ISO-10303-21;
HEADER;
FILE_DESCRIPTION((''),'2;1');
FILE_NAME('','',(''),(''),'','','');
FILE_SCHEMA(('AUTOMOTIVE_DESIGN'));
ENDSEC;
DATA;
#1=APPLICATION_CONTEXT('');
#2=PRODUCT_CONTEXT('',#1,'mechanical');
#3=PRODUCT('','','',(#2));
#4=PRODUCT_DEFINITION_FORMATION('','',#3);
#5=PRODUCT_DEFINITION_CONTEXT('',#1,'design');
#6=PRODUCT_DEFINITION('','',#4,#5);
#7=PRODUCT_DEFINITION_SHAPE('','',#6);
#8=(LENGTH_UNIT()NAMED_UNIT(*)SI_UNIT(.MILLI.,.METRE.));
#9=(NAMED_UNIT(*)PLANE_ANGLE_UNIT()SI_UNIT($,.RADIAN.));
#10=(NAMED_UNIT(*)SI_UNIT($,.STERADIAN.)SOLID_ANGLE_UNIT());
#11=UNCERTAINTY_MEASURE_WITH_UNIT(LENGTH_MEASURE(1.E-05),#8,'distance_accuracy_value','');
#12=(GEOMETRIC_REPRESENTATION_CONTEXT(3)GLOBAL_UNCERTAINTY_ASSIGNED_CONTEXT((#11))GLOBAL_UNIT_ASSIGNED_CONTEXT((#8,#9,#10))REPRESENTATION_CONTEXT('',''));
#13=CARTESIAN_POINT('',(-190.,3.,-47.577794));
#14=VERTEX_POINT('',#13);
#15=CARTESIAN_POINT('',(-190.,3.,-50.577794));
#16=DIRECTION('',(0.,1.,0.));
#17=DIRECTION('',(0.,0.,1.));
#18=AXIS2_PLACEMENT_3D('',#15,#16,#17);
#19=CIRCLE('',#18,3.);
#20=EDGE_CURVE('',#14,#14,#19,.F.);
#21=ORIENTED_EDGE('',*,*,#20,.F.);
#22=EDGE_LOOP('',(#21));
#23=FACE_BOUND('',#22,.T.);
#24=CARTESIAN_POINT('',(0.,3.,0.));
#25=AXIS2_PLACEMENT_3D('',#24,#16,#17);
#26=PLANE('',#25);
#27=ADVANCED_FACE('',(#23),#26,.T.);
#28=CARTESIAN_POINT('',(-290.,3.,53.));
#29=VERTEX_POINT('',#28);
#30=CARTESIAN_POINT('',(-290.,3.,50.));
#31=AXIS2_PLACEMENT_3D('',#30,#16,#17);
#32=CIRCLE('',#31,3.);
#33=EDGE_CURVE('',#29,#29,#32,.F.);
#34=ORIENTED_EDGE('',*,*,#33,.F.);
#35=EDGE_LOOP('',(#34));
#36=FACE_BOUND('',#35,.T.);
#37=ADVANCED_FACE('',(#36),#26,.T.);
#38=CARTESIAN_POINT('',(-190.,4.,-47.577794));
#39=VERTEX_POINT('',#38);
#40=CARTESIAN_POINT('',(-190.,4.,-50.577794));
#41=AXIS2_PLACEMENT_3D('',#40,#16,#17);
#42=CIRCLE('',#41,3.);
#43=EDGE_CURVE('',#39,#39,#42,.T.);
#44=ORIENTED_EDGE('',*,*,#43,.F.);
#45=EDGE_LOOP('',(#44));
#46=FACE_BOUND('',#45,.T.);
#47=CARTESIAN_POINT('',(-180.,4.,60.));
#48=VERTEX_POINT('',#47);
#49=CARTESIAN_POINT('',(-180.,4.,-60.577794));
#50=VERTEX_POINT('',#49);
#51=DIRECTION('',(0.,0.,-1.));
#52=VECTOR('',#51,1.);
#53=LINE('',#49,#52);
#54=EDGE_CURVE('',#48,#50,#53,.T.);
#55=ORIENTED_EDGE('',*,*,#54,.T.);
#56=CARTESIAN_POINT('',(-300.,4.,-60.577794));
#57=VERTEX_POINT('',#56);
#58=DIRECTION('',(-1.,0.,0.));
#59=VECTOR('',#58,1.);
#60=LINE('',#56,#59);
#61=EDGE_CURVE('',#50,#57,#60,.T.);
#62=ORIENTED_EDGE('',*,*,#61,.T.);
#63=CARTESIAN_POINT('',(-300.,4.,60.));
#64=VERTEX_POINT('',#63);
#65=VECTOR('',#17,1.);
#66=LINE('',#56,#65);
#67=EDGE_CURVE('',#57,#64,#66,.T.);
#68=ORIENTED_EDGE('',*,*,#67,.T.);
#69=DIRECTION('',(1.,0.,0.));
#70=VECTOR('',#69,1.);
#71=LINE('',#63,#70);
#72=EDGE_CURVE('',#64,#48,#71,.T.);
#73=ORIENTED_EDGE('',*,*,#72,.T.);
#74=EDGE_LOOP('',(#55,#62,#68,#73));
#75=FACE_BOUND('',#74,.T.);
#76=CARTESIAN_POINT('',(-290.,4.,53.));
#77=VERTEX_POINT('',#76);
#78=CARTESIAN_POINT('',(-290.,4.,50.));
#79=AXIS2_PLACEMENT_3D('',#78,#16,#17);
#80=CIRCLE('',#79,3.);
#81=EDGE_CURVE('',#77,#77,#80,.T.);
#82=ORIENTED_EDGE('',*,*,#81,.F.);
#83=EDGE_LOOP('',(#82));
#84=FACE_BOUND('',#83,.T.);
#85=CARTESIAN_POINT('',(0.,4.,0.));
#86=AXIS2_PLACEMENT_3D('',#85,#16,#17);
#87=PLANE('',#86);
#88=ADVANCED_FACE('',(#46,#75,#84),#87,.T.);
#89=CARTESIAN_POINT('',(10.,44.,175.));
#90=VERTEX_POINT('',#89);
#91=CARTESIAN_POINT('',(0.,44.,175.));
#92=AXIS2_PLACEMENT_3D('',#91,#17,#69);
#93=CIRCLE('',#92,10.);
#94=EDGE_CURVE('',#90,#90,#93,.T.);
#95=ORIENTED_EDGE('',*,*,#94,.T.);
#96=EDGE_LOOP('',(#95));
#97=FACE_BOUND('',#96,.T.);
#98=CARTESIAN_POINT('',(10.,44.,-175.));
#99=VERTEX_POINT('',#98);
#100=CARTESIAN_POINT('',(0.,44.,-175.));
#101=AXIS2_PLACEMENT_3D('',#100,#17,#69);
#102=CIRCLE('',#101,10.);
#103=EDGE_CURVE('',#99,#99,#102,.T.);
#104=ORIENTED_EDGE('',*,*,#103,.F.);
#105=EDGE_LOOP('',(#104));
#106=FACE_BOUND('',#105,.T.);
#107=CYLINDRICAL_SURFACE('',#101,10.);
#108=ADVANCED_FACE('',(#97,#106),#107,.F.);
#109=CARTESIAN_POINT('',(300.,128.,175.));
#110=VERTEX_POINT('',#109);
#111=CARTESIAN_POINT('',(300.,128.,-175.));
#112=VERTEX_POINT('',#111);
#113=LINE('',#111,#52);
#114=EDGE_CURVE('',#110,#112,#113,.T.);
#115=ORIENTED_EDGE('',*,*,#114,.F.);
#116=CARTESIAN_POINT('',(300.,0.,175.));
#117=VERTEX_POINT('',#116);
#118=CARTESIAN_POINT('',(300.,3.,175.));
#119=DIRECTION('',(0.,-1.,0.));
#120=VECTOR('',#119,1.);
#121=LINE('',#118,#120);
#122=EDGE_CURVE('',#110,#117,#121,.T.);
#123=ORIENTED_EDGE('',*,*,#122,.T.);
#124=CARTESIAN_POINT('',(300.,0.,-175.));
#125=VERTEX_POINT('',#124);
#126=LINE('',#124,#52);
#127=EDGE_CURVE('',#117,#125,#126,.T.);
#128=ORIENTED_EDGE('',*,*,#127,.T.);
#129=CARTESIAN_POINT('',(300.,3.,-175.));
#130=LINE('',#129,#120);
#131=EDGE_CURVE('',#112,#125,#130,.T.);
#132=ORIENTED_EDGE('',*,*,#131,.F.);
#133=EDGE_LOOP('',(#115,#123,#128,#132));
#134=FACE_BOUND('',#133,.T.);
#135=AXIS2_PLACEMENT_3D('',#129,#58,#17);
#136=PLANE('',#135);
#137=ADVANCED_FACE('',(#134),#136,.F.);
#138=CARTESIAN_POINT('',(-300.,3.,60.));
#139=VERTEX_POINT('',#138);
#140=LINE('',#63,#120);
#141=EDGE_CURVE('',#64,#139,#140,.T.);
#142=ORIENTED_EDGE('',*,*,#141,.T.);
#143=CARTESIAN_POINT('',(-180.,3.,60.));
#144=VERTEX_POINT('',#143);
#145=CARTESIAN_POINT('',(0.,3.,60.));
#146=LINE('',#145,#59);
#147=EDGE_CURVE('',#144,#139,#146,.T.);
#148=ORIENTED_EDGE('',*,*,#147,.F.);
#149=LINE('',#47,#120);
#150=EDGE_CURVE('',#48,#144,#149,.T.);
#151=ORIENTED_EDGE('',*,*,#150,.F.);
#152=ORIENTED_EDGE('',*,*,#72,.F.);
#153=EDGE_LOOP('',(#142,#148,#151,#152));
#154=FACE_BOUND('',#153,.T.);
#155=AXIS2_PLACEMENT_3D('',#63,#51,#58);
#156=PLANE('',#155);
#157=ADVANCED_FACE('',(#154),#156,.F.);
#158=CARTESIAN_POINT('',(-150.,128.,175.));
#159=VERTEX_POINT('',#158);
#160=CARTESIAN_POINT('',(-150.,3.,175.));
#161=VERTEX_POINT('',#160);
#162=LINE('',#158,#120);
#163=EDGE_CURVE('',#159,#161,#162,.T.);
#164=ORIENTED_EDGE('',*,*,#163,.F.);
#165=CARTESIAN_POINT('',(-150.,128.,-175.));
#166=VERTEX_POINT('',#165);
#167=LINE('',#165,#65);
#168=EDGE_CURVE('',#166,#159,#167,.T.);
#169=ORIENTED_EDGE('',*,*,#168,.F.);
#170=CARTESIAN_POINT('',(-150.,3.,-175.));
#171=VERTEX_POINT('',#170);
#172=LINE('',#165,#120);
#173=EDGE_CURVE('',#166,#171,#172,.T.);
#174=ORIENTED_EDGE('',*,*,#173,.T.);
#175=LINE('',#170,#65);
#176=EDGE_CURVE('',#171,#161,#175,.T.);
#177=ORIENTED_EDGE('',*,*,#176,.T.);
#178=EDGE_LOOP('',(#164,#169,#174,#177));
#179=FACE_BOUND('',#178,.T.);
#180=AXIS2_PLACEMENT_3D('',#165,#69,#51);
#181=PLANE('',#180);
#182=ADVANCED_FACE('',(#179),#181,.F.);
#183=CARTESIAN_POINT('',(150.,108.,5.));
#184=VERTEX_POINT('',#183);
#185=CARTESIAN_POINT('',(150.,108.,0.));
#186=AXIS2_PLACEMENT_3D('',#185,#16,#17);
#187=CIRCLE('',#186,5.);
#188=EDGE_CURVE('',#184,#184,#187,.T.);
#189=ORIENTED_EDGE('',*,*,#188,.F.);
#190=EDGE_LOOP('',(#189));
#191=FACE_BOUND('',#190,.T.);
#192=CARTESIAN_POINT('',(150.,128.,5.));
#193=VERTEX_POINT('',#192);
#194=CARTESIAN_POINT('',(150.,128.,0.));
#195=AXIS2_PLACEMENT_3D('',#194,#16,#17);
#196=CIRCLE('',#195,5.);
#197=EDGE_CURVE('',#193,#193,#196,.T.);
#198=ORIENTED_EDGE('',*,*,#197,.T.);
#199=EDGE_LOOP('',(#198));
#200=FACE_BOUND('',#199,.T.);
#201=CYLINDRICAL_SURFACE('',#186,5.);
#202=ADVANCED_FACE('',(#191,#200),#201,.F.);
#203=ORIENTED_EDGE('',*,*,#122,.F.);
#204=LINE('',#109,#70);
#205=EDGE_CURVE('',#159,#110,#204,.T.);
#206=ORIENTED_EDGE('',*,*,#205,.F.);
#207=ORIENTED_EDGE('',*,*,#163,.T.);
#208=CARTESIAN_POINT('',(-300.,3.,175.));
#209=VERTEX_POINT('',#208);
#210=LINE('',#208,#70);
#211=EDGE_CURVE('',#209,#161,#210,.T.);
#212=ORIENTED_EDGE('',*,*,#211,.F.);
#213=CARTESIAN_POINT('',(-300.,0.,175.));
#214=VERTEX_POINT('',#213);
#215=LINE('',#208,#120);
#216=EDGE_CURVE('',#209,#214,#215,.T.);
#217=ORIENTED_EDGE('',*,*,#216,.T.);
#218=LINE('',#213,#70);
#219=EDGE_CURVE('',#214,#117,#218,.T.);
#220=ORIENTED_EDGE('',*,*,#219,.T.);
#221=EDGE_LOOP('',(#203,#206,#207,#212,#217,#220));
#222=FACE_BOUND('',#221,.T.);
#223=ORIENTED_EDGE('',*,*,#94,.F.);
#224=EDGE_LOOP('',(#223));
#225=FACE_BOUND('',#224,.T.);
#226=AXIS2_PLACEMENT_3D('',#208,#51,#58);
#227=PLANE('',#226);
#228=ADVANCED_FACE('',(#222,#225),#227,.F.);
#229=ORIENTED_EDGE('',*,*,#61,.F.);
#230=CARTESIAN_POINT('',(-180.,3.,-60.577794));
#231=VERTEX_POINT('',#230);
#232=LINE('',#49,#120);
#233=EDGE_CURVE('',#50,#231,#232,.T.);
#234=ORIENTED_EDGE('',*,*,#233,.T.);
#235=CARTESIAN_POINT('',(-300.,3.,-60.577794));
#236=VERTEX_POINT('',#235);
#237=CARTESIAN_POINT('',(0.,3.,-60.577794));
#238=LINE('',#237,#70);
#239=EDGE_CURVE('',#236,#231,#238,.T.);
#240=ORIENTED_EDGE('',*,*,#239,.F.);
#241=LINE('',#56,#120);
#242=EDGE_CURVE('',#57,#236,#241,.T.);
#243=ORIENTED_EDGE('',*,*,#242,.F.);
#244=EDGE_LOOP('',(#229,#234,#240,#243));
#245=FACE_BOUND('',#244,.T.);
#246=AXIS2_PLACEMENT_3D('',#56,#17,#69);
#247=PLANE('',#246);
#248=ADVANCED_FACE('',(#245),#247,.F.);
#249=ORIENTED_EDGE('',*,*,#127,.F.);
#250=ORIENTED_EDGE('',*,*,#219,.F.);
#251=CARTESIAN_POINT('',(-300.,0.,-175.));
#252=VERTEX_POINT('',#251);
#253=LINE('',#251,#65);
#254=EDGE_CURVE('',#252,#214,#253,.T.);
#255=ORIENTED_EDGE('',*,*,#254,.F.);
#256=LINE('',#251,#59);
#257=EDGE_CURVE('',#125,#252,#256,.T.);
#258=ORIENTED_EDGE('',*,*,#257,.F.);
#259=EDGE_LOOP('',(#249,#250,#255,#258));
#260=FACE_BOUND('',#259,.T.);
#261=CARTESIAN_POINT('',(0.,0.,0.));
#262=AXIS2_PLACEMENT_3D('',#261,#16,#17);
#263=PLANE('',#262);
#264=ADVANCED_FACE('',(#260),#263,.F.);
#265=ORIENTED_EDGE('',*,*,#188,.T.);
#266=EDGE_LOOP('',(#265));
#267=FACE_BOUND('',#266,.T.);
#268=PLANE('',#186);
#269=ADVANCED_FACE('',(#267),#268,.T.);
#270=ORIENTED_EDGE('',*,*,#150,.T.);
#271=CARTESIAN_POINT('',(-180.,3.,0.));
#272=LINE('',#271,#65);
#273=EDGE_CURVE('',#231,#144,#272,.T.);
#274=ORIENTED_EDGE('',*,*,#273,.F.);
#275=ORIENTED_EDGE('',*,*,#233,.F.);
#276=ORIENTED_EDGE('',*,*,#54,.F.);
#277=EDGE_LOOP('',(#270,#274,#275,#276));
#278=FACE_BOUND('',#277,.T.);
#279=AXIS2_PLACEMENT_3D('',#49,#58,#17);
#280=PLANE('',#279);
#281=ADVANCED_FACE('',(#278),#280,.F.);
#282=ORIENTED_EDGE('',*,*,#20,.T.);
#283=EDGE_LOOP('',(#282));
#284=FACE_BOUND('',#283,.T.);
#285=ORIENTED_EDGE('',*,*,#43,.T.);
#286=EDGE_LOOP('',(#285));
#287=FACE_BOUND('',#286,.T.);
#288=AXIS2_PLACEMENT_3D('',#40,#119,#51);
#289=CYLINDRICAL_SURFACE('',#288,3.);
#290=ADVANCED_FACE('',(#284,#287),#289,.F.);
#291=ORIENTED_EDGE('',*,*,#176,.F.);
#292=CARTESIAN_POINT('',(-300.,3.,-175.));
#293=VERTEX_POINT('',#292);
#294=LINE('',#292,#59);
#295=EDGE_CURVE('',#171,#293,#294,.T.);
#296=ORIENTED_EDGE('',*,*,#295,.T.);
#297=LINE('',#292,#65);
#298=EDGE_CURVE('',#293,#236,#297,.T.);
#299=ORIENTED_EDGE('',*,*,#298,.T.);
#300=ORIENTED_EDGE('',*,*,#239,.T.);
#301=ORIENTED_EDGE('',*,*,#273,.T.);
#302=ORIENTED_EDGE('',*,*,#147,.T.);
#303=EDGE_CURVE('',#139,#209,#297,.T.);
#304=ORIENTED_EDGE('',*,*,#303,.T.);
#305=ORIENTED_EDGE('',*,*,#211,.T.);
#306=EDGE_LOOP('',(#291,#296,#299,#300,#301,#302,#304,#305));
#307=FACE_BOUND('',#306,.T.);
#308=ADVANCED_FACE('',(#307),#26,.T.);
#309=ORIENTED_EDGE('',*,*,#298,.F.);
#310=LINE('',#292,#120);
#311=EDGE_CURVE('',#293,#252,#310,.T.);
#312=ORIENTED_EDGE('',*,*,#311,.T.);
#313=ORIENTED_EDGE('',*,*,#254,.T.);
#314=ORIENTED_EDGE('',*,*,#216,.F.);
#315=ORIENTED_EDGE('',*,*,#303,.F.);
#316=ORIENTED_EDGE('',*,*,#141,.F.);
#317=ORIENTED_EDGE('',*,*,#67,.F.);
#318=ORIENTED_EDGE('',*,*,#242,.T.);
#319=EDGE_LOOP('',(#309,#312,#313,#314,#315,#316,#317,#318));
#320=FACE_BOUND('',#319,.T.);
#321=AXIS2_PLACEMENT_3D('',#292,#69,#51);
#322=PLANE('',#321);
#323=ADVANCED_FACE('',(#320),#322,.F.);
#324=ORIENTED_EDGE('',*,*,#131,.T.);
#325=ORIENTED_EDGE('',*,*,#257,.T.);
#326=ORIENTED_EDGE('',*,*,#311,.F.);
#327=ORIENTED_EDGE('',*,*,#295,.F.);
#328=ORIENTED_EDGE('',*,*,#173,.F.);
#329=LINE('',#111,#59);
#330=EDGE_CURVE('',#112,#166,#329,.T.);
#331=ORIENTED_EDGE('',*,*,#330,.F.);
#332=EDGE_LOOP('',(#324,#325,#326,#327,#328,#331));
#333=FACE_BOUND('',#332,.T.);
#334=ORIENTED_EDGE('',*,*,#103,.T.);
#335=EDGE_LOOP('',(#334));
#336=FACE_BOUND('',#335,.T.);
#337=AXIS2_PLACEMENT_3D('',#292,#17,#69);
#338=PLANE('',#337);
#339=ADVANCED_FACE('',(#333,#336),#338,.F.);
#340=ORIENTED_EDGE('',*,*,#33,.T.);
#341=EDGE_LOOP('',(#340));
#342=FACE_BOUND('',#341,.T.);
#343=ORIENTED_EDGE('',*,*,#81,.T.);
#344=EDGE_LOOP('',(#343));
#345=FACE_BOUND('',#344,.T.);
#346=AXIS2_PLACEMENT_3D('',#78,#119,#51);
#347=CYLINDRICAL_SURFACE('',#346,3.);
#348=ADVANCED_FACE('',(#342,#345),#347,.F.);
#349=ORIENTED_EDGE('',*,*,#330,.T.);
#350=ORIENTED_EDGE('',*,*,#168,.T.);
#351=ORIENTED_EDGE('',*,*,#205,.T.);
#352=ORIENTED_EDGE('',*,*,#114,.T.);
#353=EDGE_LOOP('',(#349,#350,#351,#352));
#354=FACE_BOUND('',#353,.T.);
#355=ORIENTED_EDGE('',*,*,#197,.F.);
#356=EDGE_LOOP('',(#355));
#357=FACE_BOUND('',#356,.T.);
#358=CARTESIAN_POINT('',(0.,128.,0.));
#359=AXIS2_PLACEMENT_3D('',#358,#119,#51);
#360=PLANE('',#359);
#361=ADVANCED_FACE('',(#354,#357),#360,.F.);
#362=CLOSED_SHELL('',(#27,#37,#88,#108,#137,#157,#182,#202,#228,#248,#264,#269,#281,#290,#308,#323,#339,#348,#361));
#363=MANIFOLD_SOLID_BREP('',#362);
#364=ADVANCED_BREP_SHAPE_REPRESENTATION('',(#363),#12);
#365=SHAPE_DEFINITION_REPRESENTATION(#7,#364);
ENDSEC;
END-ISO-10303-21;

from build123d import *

# Parameters (mm, degrees)
SKETCH2_W           = 600
SKETCH2_H           = 350
BOSS_EXTRUDE1_DEPTH = 3
SKETCH3_W           = 450
SKETCH3_H           = 350
BOSS_EXTRUDE2_DEPTH = 125
SKETCH4_R           = 10
CUT_EXTRUDE1_DEPTH  = 350
SKETCH6_R           = 5
CUT_EXTRUDE2_DEPTH  = 20
SKETCH7_W           = 120
SKETCH7_H           = 120.57779395
SKETCH7_R           = 3
BOSS_EXTRUDE3_DEPTH = 1


with BuildPart() as part:
    # Sketch2 → Boss-Extrude1 (new body)
    with BuildSketch(Plane(origin=(0, 0, 0), x_dir=(1, 0, 0), z_dir=(0, 1, 0))):
        Rectangle(SKETCH2_W, SKETCH2_H)
    extrude(amount=BOSS_EXTRUDE1_DEPTH)

    # Sketch3 → Boss-Extrude2 (add)
    with BuildSketch(Plane(origin=(0, 3, 0), x_dir=(1, 0, 0), z_dir=(0, 1, 0))):
        with Locations((75, 0)):
            Rectangle(SKETCH3_W, SKETCH3_H)
    extrude(amount=BOSS_EXTRUDE2_DEPTH)

    # Sketch4 → Cut-Extrude1 (cut)
    with BuildSketch(Plane.XY.offset(175)):
        with Locations((0, 44)):
            Circle(SKETCH4_R)
    extrude(amount=-CUT_EXTRUDE1_DEPTH, mode=Mode.SUBTRACT)

    # Sketch6 → Cut-Extrude2 (cut)
    with BuildSketch(Plane(origin=(0, 128, 0), x_dir=(1, 0, 0), z_dir=(0, 1, 0))):
        with Locations(Location((150, 0, 0), (0, 0, 270))):
            Circle(SKETCH6_R)
    extrude(amount=-CUT_EXTRUDE2_DEPTH, mode=Mode.SUBTRACT)

    # Sketch7 → Boss-Extrude3 (add, symmetric)
    with BuildSketch(Plane(origin=(0, 3, 0), x_dir=(1, 0, 0), z_dir=(0, 1, 0))):
        with Locations((-240, 0.288896975)):
            Rectangle(SKETCH7_W, SKETCH7_H)
        with Locations(Location((-190, 50.57779395, 0), (0, 0, 270))):
            Circle(SKETCH7_R, mode=Mode.SUBTRACT)
        with Locations(Location((-290, -50, 0), (0, 0, 270))):
            Circle(SKETCH7_R, mode=Mode.SUBTRACT)
    extrude(amount=BOSS_EXTRUDE3_DEPTH, both=True)


solid = part.part
